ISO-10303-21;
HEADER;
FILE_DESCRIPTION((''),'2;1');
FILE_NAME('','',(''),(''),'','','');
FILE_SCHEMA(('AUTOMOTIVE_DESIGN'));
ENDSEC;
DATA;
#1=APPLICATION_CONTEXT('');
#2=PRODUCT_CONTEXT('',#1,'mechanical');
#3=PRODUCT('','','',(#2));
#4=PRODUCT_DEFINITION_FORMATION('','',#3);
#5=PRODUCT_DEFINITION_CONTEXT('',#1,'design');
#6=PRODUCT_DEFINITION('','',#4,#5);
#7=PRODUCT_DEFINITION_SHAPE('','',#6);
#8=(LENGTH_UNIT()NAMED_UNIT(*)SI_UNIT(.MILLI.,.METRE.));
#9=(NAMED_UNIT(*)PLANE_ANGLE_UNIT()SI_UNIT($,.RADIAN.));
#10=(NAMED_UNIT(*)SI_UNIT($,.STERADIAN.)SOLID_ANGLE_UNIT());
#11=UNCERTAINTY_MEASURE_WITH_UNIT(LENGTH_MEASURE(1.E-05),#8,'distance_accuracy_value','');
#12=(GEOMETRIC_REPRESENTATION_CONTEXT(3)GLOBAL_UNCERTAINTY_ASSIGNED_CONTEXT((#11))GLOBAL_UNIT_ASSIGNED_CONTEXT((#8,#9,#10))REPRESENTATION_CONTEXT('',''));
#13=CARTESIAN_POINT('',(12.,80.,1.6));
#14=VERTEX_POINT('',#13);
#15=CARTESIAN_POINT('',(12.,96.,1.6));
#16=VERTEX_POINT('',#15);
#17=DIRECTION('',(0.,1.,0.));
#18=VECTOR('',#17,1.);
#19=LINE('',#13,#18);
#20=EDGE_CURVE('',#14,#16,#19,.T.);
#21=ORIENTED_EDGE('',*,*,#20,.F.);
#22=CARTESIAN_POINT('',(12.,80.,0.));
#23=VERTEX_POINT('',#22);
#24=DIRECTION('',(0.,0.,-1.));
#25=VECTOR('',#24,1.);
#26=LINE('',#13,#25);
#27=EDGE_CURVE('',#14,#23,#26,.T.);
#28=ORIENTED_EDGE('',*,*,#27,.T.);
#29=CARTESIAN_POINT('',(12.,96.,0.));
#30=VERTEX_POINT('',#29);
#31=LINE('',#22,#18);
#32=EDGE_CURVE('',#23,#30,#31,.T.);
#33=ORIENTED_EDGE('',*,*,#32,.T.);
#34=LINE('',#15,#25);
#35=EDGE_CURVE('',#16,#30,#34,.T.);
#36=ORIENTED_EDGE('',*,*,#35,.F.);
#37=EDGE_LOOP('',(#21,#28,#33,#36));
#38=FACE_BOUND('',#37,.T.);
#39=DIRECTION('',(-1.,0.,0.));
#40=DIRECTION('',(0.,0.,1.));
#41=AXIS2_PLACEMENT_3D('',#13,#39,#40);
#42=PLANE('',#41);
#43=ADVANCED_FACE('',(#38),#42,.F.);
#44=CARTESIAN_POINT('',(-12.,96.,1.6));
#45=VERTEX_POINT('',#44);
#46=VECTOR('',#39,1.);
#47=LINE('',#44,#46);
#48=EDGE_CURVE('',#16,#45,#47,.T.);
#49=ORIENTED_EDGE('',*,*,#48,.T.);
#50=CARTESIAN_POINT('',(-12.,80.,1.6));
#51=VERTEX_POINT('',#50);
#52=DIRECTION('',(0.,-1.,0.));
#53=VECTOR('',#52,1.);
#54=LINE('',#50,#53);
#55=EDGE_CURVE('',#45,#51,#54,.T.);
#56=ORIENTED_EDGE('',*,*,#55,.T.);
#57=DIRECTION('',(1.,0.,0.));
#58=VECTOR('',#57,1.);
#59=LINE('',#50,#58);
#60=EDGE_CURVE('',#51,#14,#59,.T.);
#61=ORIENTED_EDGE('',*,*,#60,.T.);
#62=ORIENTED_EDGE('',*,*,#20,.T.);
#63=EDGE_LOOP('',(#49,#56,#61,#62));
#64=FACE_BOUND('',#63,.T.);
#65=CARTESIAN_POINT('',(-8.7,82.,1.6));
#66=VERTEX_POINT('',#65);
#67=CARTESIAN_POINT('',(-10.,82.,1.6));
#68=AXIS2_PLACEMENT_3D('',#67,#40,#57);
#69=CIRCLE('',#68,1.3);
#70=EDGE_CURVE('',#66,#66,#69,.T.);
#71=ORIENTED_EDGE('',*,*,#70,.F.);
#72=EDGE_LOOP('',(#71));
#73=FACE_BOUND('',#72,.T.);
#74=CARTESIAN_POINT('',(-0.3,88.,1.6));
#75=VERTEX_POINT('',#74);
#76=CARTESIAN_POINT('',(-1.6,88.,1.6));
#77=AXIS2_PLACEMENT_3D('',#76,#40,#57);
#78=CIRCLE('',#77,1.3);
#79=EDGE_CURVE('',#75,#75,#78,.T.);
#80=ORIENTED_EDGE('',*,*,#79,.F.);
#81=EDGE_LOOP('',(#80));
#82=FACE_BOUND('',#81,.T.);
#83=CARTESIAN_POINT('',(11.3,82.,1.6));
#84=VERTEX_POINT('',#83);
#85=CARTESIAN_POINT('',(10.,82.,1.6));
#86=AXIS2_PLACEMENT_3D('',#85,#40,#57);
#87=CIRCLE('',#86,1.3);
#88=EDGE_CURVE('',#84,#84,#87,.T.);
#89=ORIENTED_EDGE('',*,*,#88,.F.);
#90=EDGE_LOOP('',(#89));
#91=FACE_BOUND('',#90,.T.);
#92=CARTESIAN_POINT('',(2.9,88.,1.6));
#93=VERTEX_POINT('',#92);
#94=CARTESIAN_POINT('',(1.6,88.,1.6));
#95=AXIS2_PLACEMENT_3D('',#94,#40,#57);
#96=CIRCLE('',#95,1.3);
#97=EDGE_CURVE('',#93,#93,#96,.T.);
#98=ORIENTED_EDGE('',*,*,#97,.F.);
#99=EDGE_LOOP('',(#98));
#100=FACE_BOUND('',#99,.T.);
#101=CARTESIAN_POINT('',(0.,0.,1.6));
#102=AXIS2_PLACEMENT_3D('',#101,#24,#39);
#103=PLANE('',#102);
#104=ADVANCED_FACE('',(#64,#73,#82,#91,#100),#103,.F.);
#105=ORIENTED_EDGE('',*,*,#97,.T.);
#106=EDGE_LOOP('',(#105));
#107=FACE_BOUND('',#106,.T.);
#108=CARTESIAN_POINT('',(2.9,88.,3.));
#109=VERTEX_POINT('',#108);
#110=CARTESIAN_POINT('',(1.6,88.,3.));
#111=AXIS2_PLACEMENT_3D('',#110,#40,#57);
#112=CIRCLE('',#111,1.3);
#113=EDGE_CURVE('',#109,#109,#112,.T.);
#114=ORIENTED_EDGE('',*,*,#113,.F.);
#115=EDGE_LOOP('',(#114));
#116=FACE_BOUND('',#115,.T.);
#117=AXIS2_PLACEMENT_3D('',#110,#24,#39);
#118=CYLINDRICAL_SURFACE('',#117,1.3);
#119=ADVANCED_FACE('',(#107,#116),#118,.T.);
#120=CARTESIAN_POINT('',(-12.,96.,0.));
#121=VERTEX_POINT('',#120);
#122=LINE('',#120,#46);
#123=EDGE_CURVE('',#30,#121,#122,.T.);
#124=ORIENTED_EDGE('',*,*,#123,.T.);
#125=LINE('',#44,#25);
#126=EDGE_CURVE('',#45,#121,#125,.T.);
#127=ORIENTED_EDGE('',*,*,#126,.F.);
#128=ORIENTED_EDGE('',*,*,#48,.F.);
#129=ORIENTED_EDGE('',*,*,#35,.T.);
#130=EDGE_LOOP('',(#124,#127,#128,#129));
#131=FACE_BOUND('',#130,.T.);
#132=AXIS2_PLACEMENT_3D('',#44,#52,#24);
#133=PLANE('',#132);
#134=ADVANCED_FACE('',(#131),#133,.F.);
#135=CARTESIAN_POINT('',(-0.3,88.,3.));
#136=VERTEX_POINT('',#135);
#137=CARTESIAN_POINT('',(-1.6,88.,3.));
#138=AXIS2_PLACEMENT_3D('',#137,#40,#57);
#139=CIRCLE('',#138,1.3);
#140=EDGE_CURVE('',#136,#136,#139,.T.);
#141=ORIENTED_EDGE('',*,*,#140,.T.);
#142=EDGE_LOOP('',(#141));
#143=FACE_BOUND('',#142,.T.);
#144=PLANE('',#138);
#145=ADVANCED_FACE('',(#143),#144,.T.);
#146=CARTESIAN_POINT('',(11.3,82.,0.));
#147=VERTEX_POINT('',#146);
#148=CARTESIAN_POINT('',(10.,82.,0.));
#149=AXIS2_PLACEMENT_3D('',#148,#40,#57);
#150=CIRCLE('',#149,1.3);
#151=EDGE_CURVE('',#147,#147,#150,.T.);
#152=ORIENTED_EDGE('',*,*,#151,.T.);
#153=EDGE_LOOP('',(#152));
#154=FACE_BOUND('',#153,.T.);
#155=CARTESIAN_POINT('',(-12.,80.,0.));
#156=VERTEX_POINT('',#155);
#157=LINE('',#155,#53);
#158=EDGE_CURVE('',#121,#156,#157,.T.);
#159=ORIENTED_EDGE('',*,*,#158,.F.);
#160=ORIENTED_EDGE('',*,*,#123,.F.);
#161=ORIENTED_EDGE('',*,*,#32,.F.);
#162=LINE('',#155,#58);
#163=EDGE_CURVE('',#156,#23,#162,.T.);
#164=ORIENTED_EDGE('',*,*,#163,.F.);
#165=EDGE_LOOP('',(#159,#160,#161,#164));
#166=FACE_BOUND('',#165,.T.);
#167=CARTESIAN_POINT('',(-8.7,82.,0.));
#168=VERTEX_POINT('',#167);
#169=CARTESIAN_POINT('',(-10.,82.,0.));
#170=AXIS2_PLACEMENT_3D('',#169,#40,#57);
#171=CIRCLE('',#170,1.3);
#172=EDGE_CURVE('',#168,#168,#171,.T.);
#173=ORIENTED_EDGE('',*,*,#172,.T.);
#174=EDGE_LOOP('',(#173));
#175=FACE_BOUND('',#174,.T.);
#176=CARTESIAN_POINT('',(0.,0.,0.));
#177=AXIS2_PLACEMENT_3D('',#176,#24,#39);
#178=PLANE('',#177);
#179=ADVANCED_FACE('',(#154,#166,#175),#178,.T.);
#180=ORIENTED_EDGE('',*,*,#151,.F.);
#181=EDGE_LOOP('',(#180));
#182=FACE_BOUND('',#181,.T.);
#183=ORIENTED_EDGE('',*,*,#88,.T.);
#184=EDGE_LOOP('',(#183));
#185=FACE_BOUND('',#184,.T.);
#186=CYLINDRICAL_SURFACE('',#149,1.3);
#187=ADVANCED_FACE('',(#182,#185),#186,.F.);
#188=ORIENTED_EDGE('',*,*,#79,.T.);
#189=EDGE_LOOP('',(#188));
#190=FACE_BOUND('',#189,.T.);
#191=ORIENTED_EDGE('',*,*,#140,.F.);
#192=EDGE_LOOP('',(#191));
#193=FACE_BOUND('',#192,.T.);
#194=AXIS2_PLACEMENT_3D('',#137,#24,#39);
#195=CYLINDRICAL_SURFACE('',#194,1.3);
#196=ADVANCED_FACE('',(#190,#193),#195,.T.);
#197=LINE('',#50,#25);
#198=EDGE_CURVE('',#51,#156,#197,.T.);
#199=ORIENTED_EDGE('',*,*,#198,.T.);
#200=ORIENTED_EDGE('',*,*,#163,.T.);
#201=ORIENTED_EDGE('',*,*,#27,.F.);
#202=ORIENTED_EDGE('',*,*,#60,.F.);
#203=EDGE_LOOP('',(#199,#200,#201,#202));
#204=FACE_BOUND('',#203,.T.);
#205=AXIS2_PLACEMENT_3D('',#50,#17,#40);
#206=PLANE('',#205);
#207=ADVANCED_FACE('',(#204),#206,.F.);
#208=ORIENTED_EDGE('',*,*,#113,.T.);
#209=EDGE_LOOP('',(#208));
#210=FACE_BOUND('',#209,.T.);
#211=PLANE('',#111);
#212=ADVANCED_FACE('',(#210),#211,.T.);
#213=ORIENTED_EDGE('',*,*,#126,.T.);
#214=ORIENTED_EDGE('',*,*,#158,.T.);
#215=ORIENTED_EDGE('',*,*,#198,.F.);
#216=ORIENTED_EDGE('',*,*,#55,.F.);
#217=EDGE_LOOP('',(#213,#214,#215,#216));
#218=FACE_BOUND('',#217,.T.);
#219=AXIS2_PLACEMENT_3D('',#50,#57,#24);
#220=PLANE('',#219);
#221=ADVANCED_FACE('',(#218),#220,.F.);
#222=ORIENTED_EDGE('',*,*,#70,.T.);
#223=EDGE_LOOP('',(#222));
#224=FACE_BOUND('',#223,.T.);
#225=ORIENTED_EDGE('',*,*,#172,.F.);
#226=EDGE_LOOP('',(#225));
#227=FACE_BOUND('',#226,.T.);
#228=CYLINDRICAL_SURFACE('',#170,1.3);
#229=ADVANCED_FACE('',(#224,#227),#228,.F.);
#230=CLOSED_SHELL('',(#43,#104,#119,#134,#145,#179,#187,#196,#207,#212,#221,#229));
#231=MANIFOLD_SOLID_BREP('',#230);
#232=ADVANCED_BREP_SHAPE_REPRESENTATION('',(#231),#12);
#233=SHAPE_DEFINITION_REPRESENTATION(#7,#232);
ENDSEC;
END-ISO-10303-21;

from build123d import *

# Parameters (mm, degrees)
SKETCH_3_W                                  = 24
SKETCH_3_H                                  = 16
V10_TOF_CANDIDATE_CARRIER24X16_DEPTH        = 1.6
V10_TOF_OPTICAL_PACKAGES_FACING_FRONT_START = 1.6
SKETCH_4_R                                  = 1.3
V10_TOF_OPTICAL_PACKAGES_FACING_FRONT_DEPTH = 1.4
SKETCH_5_R                                  = 1.3
V10_TOF_TWO_CANDIDATE_HOLES20MM_DEPTH       = 1.6


with BuildPart() as part:
    # 草图3 → V10_TOF_candidate_carrier24x16 (new body)
    with BuildSketch(Plane.XY):
        with Locations((0, 88)):
            Rectangle(SKETCH_3_W, SKETCH_3_H)
    extrude(amount=V10_TOF_CANDIDATE_CARRIER24X16_DEPTH)

    # 草图4 → V10_TOF_optical_packages_facing_front (add)
    with BuildSketch(Plane.XY.offset(V10_TOF_OPTICAL_PACKAGES_FACING_FRONT_START)):
        with Locations((-1.6, 88)):
            Circle(SKETCH_4_R)
        with Locations((1.6, 88)):
            Circle(SKETCH_4_R)
    extrude(amount=V10_TOF_OPTICAL_PACKAGES_FACING_FRONT_DEPTH)

    # 草图5 → V10_TOF_two_candidate_holes20mm (cut)
    with BuildSketch(Plane.XY.offset(1.6)):
        with Locations((-10, 82)):
            Circle(SKETCH_5_R)
        with Locations((10, 82)):
            Circle(SKETCH_5_R)
    extrude(amount=-V10_TOF_TWO_CANDIDATE_HOLES20MM_DEPTH, mode=Mode.SUBTRACT)


solid = part.part
